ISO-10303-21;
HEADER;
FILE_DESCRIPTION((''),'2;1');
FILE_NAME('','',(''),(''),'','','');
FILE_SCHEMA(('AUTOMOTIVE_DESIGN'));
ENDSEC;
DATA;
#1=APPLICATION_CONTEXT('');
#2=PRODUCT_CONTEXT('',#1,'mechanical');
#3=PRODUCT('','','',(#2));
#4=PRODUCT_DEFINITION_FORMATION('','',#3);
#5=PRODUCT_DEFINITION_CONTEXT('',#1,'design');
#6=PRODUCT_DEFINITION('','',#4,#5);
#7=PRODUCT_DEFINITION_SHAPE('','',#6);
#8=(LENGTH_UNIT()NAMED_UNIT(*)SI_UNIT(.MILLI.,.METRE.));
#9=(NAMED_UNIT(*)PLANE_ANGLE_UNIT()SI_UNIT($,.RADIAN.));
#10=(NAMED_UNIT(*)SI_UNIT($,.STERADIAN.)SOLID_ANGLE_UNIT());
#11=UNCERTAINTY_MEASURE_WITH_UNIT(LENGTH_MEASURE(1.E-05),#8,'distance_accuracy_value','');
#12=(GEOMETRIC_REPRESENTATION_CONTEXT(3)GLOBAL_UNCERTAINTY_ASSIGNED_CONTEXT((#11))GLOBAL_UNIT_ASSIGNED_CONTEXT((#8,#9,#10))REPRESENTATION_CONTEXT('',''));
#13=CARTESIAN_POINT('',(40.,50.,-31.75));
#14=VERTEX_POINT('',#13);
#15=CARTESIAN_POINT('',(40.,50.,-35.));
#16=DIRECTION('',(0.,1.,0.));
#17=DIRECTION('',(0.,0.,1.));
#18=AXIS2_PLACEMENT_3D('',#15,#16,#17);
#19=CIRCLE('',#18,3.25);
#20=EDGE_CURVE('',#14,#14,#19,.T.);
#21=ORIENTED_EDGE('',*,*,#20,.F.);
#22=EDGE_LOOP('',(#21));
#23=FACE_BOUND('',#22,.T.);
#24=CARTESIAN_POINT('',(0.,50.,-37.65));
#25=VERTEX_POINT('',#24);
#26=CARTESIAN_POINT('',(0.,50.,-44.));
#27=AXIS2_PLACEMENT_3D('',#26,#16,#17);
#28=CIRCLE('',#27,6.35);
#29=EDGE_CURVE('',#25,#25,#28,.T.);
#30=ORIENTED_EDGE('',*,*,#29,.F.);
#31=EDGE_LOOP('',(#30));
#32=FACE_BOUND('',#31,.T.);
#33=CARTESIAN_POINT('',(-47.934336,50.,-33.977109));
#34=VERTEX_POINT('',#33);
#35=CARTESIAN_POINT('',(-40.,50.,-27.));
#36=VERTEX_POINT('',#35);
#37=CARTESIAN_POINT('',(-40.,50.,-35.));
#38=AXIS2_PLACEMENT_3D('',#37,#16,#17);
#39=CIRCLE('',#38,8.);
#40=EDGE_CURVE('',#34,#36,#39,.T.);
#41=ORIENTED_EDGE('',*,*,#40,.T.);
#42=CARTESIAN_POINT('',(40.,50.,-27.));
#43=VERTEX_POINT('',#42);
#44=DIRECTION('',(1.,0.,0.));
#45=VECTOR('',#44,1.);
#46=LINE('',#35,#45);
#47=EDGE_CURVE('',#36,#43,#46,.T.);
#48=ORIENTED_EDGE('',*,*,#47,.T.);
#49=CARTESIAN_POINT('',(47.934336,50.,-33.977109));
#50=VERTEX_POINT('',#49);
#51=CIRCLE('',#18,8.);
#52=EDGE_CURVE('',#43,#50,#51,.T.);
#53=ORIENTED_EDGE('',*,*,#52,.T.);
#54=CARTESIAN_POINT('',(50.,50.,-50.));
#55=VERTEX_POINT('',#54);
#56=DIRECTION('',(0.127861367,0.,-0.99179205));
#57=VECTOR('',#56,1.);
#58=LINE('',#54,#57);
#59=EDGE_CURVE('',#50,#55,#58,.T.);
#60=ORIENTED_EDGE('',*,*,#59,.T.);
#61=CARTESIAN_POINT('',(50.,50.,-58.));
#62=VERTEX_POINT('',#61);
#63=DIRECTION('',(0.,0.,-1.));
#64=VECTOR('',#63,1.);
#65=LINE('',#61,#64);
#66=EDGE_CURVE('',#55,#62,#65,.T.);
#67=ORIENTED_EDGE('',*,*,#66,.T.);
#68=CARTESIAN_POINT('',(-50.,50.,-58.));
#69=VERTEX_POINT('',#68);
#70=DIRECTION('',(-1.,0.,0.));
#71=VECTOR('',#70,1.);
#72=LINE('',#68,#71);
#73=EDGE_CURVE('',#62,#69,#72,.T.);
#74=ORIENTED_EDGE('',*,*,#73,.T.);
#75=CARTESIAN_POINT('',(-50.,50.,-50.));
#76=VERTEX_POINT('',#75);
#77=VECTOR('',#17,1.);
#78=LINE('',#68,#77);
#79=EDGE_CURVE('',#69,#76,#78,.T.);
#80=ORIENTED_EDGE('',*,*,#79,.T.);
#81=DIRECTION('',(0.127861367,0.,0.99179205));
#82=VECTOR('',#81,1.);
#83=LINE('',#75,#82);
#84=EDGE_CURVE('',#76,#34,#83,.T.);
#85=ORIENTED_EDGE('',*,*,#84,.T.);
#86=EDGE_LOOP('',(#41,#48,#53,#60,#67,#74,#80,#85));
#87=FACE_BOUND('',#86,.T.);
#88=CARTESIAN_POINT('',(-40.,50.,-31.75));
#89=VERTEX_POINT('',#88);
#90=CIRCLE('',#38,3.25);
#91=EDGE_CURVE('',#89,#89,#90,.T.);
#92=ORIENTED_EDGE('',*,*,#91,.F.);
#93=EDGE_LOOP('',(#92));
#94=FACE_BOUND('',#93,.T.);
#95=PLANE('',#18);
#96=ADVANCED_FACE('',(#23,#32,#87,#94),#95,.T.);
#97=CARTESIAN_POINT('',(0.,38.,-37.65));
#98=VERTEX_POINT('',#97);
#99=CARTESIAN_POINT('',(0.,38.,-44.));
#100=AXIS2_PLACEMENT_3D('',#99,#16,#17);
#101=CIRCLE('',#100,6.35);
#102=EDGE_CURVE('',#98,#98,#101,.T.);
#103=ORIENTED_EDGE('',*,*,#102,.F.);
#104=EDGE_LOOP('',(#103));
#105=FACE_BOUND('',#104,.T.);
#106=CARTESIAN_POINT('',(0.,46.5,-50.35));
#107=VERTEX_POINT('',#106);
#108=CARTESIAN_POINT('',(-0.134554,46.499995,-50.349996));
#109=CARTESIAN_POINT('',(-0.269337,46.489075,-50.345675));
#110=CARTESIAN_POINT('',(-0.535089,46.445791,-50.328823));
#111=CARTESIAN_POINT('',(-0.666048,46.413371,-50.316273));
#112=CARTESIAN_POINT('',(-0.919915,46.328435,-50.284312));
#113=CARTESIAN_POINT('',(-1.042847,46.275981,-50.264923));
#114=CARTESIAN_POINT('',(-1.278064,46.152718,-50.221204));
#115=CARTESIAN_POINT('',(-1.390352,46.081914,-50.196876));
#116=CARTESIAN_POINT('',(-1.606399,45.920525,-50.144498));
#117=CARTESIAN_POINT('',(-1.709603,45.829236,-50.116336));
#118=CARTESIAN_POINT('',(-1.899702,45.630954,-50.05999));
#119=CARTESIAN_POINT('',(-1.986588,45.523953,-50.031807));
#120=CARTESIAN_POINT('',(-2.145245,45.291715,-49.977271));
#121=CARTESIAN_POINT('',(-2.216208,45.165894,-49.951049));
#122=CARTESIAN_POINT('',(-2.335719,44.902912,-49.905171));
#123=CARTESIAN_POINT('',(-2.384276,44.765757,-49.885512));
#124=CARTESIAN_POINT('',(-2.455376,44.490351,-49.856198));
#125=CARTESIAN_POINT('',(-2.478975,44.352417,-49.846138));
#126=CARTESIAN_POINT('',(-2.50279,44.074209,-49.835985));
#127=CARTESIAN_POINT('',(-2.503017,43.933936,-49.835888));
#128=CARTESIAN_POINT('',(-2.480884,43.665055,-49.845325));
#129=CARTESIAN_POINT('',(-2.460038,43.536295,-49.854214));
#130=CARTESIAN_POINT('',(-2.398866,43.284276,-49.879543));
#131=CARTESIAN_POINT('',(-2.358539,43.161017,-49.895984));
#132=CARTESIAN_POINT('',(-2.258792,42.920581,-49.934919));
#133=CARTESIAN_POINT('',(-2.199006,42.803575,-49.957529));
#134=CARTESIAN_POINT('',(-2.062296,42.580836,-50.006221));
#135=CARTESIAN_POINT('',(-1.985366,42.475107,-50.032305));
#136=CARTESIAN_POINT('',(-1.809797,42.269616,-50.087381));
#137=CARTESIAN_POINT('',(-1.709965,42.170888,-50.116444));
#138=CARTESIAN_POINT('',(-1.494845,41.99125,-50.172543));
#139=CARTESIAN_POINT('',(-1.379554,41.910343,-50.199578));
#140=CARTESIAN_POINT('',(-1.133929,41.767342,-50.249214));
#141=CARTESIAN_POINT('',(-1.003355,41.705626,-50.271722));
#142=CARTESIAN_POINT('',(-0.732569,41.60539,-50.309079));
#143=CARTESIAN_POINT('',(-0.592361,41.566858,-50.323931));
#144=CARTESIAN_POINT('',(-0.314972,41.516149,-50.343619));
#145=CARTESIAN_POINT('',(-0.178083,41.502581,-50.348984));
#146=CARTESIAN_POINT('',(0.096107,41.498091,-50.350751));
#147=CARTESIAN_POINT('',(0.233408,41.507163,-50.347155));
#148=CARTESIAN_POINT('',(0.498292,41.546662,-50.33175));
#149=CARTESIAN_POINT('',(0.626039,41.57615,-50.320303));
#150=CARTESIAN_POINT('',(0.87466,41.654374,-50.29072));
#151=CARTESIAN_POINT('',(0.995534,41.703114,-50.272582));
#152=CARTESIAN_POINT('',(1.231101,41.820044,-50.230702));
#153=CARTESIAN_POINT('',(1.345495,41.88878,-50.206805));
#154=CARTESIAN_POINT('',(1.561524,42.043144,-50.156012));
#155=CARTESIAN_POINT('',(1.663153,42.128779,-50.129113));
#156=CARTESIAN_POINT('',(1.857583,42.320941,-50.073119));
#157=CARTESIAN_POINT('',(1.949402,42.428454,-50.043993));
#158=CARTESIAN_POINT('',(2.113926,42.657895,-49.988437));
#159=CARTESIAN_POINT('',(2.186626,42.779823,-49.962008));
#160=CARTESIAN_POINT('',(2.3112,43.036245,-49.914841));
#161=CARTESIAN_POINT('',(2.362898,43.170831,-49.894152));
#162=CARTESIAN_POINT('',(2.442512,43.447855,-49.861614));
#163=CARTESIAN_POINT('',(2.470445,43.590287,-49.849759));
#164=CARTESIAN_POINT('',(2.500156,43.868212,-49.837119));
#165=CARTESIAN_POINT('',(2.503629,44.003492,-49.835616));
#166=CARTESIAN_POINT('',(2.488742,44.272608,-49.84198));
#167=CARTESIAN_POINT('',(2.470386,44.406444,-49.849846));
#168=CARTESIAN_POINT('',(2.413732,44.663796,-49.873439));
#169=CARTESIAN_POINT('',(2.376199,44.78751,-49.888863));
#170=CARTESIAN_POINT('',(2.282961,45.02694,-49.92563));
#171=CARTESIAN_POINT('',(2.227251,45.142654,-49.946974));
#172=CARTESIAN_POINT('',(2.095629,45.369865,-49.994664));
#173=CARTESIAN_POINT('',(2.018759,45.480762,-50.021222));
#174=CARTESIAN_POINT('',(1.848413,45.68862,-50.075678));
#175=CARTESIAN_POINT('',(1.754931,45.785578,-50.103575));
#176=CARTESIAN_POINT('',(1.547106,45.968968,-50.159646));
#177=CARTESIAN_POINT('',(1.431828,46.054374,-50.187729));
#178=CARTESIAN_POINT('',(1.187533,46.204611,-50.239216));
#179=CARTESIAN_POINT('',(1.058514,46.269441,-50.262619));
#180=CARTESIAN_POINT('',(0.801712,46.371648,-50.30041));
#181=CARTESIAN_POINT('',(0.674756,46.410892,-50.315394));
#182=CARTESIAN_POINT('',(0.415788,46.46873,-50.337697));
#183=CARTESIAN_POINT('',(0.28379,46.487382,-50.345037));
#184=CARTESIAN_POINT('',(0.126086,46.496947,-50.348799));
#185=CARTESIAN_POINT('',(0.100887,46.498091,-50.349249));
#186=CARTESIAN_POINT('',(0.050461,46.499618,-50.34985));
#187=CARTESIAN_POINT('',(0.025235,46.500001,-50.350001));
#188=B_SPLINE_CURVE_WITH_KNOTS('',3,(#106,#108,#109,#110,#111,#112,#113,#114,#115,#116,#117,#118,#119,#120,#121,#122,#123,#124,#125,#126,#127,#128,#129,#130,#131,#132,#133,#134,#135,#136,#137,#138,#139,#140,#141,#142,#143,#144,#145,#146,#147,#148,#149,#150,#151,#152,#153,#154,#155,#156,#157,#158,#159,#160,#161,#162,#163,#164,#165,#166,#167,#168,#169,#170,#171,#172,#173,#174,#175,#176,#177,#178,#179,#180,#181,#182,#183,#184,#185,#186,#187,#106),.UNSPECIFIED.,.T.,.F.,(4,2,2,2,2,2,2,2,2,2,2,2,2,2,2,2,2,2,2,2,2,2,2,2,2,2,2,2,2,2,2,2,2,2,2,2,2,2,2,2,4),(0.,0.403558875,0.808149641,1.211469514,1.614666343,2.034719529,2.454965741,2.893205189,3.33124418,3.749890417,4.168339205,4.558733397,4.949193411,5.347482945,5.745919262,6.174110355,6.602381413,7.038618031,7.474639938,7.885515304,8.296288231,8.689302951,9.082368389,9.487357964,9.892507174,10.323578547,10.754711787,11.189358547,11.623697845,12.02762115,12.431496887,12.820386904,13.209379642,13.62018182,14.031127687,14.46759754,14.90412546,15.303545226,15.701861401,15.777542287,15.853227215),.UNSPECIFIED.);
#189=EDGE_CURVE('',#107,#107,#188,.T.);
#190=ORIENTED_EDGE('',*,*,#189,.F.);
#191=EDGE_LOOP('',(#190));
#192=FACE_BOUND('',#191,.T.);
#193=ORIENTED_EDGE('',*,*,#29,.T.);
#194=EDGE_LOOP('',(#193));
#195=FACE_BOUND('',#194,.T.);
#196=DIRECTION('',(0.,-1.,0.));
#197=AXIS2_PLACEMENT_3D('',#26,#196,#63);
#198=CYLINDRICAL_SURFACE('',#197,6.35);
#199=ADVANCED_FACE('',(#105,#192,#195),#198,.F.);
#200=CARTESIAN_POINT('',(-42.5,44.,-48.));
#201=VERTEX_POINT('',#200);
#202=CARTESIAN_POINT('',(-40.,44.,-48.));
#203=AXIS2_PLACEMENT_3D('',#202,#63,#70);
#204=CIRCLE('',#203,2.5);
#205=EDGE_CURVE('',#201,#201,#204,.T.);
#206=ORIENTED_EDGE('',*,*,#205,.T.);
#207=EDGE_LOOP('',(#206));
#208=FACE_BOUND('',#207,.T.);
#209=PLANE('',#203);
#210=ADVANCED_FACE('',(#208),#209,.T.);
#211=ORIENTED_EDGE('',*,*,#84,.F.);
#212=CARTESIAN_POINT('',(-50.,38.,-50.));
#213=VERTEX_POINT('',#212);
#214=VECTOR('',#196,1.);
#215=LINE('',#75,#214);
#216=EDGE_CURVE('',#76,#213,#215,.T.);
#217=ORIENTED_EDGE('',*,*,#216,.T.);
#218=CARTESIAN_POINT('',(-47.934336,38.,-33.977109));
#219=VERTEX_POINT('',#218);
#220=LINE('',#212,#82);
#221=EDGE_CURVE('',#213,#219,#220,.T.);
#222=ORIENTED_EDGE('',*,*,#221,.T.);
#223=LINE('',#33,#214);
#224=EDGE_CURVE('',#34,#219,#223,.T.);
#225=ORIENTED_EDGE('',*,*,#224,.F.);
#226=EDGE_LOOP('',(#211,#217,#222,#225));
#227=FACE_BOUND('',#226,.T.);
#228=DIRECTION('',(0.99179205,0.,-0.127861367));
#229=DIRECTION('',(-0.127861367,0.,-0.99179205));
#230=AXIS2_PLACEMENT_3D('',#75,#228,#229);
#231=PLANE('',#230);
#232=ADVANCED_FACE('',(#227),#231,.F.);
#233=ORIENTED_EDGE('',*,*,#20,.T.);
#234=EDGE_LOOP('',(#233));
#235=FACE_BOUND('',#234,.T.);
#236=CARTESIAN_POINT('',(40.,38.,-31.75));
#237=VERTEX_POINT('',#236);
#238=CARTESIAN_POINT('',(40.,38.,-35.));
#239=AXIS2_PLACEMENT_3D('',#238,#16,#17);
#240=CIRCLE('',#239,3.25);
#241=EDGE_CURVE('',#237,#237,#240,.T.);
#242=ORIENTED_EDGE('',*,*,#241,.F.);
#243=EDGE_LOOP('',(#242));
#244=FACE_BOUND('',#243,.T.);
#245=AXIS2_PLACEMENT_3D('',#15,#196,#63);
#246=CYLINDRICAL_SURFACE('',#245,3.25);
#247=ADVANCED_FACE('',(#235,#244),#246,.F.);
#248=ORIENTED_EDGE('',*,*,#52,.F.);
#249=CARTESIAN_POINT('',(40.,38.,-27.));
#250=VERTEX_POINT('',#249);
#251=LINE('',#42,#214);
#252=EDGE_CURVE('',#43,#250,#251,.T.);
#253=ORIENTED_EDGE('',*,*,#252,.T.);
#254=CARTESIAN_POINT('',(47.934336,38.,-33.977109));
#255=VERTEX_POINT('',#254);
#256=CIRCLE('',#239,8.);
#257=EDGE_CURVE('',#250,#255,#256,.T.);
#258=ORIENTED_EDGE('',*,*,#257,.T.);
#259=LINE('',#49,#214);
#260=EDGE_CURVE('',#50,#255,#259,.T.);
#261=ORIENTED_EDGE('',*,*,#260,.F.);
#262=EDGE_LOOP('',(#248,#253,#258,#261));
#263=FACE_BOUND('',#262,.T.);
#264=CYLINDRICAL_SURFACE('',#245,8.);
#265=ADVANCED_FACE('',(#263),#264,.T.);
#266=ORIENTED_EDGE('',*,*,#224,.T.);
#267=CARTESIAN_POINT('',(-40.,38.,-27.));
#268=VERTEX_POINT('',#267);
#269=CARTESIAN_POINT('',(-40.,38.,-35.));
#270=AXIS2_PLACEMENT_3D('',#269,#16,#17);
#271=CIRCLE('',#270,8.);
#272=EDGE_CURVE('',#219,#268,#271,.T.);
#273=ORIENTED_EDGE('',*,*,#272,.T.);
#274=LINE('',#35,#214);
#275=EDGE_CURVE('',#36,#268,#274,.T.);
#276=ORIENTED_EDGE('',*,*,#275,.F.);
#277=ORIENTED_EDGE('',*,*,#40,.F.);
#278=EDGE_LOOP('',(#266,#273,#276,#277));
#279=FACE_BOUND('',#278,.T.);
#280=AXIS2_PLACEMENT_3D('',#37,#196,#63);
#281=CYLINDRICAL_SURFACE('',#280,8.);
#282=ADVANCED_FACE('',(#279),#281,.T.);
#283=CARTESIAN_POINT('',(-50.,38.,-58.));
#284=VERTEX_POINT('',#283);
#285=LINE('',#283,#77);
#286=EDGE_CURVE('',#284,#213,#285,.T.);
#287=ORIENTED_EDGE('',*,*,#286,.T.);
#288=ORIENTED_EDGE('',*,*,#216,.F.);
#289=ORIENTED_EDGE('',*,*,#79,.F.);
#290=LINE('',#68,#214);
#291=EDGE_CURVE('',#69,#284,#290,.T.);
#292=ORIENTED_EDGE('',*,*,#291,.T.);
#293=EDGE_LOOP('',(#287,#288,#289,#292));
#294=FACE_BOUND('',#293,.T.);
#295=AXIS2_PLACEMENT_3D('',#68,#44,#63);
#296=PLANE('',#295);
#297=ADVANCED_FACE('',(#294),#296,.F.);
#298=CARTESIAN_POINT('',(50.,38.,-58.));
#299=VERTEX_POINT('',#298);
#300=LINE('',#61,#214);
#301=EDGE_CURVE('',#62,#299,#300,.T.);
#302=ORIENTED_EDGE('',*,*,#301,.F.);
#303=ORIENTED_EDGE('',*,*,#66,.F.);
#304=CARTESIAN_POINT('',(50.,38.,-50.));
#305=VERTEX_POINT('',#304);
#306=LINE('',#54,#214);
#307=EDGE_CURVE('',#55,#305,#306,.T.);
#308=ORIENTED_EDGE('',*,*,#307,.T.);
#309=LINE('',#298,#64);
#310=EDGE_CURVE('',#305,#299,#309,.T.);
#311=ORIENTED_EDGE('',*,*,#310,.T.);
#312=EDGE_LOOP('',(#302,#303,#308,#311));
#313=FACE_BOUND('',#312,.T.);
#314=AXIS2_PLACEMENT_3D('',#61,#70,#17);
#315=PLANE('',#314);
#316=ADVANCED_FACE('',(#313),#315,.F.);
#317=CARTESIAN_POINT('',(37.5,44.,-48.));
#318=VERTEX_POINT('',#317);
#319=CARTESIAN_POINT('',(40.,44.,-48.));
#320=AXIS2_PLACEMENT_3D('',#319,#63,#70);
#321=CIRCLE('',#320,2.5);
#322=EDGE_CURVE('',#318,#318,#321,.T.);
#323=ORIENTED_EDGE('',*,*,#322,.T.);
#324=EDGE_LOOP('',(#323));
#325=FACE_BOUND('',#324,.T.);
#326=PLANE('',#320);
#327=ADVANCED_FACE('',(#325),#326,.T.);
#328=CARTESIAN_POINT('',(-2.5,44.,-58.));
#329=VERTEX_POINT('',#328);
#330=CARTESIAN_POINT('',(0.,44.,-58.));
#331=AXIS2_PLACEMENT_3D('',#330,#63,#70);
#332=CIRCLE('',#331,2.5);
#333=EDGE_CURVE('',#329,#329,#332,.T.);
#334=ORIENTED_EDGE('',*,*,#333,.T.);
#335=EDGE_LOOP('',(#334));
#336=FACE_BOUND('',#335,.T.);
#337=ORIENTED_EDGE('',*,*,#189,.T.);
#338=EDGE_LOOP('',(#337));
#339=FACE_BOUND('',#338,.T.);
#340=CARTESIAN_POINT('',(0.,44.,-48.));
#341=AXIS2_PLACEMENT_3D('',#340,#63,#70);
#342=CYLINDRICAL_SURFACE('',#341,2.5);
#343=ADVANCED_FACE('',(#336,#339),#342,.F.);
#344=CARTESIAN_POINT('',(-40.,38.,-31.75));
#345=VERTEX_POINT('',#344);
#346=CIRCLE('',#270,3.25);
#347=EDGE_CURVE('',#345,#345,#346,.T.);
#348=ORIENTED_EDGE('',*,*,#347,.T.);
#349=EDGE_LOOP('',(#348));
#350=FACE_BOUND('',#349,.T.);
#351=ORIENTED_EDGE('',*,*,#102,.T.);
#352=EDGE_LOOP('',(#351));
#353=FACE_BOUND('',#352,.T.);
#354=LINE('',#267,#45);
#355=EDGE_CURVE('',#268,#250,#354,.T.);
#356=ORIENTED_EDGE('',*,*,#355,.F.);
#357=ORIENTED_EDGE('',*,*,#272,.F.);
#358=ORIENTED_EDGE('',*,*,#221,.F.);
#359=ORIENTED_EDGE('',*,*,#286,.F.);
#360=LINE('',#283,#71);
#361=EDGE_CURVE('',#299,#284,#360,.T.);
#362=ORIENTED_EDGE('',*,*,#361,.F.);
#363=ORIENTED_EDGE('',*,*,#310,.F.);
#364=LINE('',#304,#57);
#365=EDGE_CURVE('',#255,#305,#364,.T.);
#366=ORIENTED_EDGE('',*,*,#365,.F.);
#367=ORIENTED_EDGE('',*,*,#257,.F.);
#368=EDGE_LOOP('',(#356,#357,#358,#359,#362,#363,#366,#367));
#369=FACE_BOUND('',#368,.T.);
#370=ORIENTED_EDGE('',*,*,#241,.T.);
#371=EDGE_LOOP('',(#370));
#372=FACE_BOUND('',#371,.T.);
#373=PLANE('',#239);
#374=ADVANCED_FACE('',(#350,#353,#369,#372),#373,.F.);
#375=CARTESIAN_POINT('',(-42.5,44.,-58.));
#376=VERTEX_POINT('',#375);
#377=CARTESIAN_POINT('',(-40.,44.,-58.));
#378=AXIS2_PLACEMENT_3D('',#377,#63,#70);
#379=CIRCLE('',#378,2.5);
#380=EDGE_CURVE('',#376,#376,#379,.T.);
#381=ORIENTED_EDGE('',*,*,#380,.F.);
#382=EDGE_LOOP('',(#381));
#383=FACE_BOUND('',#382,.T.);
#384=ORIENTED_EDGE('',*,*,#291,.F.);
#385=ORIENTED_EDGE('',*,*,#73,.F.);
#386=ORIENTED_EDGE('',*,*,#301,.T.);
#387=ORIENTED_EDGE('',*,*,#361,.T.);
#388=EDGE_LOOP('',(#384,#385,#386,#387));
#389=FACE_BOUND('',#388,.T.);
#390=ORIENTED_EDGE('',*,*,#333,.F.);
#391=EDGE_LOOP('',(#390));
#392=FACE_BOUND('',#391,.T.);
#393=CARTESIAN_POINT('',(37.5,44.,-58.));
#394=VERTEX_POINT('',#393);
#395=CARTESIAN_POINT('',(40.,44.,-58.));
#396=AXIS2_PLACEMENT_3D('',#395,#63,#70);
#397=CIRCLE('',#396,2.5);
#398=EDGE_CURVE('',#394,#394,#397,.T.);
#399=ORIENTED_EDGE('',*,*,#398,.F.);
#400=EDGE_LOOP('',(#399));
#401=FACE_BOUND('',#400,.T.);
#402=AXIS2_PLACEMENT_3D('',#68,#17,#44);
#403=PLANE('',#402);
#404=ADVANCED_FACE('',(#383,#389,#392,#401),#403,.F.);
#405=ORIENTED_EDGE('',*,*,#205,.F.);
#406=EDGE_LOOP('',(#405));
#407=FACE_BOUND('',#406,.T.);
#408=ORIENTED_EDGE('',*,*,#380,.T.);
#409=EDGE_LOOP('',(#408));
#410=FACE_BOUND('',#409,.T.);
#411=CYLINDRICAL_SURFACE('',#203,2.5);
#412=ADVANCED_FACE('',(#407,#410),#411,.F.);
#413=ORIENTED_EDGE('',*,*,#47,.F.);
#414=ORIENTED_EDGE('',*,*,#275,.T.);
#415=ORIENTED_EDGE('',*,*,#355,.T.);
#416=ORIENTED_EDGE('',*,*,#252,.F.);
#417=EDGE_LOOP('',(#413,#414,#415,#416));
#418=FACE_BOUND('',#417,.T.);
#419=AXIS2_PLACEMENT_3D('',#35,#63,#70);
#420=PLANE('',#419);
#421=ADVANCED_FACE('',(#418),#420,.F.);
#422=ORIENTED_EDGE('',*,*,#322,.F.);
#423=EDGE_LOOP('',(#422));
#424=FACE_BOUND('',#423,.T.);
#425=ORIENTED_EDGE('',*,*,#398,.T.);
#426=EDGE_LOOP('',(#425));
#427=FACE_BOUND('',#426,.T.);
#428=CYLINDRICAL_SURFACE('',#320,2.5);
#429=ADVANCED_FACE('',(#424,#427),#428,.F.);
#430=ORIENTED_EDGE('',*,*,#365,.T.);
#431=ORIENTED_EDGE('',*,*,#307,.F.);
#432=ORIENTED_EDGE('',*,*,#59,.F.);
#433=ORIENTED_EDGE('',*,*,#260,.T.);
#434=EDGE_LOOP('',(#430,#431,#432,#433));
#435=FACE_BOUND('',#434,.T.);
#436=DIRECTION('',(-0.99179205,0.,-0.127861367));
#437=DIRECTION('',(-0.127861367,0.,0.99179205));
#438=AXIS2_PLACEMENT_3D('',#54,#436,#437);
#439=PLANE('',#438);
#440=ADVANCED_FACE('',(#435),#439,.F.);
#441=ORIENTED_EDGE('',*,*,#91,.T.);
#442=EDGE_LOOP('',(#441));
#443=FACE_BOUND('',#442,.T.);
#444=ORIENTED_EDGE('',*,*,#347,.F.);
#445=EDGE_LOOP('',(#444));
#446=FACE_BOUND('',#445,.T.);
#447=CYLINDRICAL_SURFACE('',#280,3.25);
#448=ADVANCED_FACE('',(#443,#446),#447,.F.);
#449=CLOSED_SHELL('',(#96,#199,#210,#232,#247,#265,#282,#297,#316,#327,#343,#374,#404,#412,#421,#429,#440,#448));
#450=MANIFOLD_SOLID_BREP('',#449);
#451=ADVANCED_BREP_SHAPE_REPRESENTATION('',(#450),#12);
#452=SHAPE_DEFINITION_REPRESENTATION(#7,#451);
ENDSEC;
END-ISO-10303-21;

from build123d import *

# Parameters (mm, degrees)
SKETCH1_R           = 14
SKETCH1_R_2         = 5
BOSS_EXTRUDE1_DEPTH = 38
SKETCH2_R           = 6.35
SKETCH2_R_2         = 3.25
BOSS_EXTRUDE2_DEPTH = 12
SKETCH3_R           = 2.5
CUT_EXTRUDE6_DEPTH  = 10


with BuildPart() as part:
    # Sketch1 → Boss-Extrude1 (new body)
    with BuildSketch(Plane(origin=(0, 0, 0), x_dir=(1, 0, 0), z_dir=(0, 1, 0))):
        with BuildLine():
            Line((40, 57), (-40, 57))
            ThreePointArc((-40, 57), (-58.987886037, 46.111263827), (-59.17994648, 24.223653075))
            Line((-59.17994648, 24.223653075), (-47.255332989, 3))
            Line((-47.255332989, 3), (-32.311027529, 3))
            ThreePointArc((-32.311027529, 3), (32.415238263, -1.501608583), (-32.45, 0))
            Line((-32.45, 0), (-47.255332989, 0))
            Line((-47.255332989, 0), (-47.255332989, -10))
            Line((-47.255332989, -10), (-41.255332989, -10))
            ThreePointArc((-41.255332989, -10), (-4.643586709, -42.195255687), (38.093342034, -18.732319468))
            Line((38.093342034, -18.732319468), (59.742132503, 25.291848568))
            ThreePointArc((59.742132503, 25.291848568), (58.675911377, 46.627997861), (40, 57))
        make_face()
        with Locations((-40, 35)):
            Circle(SKETCH1_R, mode=Mode.SUBTRACT)
        with Locations((0, 44)):
            Circle(SKETCH1_R_2, mode=Mode.SUBTRACT)
        with Locations((40, 35)):
            Circle(SKETCH1_R, mode=Mode.SUBTRACT)
    extrude(amount=BOSS_EXTRUDE1_DEPTH)


with BuildPart() as body_2:
    # Sketch2 → Boss-Extrude2 (new body)
    with BuildSketch(Plane(origin=(0, 38, 0), x_dir=(1, 0, 0), z_dir=(0, 1, 0))):
        with BuildLine():
            Line((-40, 27), (40, 27))
            ThreePointArc((40, 27), (45.282843577, 28.992374534), (47.934336402, 33.977109066))
            Line((47.934336402, 33.977109066), (50, 50))
            Line((50, 50), (50, 58))
            Line((50, 58), (-50, 58))
            Line((-50, 58), (-50, 50))
            Line((-50, 50), (-47.934336402, 33.977109066))
            ThreePointArc((-47.934336402, 33.977109066), (-45.282843577, 28.992374534), (-40, 27))
        make_face()
        with Locations((0, 44)):
            Circle(SKETCH2_R, mode=Mode.SUBTRACT)
        with Locations((-40, 35)):
            Circle(SKETCH2_R_2, mode=Mode.SUBTRACT)
        with Locations((40, 35)):
            Circle(SKETCH2_R_2, mode=Mode.SUBTRACT)
    extrude(amount=BOSS_EXTRUDE2_DEPTH)

    # Sketch3 → Cut-Extrude6 (cut)
    with BuildSketch(Plane(origin=(0, 0, -58), x_dir=(-1, 0, 0), z_dir=(0, 0, -1))):
        with Locations((0, 44)):
            Circle(SKETCH3_R)
        with Locations((40, 44)):
            Circle(SKETCH3_R)
        with Locations((-40, 44)):
            Circle(SKETCH3_R)
    extrude(amount=-CUT_EXTRUDE6_DEPTH, mode=Mode.SUBTRACT)


solid = body_2.part
